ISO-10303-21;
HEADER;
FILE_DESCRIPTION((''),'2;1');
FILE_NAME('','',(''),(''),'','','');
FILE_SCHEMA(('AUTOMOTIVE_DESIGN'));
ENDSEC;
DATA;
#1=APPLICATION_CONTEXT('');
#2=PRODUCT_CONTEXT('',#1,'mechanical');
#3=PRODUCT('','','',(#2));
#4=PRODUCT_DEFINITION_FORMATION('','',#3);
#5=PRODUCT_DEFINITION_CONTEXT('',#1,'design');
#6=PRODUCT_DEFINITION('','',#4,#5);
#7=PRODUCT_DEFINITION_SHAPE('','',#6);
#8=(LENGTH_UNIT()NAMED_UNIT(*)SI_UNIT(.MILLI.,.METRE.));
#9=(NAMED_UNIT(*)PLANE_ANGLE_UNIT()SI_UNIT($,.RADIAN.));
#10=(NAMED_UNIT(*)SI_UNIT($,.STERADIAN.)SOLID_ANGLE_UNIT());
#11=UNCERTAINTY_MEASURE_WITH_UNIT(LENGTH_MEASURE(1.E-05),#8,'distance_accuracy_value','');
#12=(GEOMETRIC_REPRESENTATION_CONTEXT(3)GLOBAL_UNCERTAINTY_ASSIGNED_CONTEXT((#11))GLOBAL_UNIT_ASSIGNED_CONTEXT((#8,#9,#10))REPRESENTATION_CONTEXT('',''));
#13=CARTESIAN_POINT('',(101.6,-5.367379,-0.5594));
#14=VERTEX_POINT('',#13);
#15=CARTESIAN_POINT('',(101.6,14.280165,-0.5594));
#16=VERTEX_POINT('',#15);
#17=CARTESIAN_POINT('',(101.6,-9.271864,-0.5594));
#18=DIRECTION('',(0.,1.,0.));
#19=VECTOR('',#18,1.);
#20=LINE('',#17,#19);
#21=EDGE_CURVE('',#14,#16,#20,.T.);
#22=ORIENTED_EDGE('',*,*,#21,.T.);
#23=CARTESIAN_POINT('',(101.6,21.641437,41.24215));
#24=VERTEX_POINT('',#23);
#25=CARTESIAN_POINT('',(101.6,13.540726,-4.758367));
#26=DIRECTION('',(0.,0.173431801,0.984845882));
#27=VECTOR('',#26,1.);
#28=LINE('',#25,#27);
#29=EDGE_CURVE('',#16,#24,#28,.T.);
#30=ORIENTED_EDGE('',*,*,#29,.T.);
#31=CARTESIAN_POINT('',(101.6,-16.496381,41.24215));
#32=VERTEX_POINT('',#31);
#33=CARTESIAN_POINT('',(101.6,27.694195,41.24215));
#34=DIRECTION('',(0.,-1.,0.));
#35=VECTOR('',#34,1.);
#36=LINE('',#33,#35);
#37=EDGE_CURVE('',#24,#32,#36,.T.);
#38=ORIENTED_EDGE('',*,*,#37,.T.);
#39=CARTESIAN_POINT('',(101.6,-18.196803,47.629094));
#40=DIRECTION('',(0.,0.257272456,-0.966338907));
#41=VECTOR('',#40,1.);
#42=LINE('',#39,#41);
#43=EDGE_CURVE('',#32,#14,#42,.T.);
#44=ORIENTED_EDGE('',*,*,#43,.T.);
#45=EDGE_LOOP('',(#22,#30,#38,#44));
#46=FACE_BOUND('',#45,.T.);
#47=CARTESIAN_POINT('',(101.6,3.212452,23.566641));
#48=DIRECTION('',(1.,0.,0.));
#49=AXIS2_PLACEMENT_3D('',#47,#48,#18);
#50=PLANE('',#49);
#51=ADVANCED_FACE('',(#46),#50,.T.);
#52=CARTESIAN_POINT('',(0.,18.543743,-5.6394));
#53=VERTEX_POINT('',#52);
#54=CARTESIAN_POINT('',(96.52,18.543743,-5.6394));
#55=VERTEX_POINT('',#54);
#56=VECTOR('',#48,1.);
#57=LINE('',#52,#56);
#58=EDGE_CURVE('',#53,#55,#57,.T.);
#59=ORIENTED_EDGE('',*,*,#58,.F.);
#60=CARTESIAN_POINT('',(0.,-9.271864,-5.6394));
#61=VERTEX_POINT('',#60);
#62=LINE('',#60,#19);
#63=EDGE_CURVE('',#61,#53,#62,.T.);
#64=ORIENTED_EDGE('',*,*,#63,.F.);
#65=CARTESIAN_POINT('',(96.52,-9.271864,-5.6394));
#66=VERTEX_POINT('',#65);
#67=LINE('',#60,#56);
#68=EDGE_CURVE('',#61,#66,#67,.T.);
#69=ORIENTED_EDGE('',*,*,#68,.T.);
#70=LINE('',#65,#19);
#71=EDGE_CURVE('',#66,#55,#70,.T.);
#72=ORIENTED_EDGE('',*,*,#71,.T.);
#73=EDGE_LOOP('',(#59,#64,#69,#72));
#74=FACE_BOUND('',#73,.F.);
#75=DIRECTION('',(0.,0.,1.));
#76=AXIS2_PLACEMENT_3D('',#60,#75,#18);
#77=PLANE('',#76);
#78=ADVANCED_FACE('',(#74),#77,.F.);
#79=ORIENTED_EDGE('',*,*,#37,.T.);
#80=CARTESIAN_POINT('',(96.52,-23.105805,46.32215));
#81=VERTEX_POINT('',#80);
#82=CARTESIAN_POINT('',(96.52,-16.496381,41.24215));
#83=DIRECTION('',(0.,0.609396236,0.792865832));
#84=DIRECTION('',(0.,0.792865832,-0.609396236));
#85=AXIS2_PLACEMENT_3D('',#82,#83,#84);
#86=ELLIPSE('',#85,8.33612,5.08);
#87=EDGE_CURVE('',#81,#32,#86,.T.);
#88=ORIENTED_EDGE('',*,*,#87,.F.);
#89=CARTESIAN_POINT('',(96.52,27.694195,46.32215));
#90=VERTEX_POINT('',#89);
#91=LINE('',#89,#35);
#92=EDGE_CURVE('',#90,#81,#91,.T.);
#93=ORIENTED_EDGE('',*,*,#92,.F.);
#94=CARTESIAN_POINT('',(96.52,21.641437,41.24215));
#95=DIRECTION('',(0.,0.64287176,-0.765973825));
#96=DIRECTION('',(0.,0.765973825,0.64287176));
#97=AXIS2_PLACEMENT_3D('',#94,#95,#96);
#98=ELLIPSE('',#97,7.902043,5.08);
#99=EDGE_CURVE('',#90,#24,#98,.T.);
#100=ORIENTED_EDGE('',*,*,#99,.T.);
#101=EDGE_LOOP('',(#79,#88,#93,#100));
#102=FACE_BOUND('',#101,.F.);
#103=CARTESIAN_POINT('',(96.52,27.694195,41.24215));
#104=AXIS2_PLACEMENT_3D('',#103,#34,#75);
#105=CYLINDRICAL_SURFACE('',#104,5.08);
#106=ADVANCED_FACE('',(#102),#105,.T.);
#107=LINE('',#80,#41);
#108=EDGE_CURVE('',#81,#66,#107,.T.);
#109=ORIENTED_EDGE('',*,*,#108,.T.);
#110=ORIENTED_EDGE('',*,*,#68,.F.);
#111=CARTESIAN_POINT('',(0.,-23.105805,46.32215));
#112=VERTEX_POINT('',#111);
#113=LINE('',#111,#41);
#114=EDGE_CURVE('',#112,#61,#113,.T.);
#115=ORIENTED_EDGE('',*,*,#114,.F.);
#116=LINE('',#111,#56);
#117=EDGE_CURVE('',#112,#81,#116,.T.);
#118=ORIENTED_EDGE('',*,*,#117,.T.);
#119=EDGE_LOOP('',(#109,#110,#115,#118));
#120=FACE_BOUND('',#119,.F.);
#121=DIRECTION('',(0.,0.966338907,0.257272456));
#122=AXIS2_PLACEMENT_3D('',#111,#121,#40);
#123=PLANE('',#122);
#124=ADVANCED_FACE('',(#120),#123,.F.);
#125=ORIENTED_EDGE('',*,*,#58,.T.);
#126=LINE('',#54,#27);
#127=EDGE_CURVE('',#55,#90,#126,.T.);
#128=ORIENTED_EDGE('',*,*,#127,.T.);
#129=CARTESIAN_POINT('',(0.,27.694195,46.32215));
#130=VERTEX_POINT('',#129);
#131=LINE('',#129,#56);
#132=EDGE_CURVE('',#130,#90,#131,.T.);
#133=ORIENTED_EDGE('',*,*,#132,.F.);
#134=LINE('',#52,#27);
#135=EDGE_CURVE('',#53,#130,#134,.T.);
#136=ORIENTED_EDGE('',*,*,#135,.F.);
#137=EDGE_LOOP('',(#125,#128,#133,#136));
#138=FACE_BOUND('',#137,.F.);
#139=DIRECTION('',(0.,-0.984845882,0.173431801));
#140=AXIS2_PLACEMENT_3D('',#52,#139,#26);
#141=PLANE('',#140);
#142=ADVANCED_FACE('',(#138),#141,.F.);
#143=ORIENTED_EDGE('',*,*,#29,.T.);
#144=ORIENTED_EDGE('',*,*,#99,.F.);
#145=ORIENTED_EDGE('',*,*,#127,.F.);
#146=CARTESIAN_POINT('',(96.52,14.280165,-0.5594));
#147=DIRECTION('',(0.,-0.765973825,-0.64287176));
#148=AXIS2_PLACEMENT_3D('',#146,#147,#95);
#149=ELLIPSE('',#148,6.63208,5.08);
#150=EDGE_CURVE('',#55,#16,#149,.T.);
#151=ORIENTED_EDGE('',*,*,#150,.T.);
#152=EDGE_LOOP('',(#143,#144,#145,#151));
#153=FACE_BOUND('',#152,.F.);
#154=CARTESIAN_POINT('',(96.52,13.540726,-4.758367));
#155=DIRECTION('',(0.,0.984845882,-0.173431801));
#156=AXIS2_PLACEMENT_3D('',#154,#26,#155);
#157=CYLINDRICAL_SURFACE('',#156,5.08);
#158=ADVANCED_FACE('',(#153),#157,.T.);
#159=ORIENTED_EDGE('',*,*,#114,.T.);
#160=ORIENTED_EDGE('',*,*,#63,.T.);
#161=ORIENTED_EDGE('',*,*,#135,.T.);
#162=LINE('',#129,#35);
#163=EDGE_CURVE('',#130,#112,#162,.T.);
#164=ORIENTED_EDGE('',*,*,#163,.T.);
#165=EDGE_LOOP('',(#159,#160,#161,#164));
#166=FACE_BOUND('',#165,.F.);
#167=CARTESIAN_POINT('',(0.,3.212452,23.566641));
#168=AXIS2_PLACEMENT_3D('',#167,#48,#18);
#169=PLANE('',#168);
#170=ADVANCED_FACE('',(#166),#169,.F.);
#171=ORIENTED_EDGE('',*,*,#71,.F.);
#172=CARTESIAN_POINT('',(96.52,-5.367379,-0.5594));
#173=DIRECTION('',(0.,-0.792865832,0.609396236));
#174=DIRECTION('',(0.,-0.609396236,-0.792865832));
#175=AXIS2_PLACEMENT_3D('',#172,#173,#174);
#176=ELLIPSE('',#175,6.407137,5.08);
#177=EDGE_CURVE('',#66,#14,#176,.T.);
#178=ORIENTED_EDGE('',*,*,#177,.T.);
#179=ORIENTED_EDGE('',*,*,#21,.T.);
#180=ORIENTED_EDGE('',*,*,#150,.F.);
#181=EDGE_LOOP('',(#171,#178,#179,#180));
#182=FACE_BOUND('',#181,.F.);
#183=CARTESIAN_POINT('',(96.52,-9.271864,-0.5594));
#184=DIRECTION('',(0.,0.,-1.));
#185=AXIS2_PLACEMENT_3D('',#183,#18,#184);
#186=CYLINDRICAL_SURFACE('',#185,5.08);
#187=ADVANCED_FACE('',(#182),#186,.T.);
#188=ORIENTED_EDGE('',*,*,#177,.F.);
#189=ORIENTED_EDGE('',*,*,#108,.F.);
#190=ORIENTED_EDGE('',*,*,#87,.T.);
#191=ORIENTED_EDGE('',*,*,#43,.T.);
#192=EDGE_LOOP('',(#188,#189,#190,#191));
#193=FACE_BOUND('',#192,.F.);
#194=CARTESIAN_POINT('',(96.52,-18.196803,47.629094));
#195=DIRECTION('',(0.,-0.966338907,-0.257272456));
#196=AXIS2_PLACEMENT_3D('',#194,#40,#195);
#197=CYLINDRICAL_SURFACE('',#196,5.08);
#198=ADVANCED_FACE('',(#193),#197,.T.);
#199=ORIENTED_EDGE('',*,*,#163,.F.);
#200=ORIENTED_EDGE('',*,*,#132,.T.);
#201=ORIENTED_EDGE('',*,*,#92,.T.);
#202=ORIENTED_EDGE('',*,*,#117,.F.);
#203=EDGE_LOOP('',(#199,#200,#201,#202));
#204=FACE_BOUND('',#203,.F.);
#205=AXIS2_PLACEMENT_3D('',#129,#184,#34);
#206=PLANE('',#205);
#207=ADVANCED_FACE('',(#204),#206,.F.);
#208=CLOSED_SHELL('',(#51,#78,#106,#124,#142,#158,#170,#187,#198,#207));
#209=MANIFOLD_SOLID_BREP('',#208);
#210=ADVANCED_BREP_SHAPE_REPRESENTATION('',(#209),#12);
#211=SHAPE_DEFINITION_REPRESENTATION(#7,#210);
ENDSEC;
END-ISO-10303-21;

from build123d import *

# Parameters (mm, degrees)
F1_DEPTH = 101.6
F2_R     = 5.08


with BuildPart() as f1:
    # F0 (on Right) → F1 (new body)
    with BuildSketch(Plane.YZ):
        Polygon((27.6941948846, 46.3221500594), (-23.1058051154, 46.3221500594), (-9.271863848, -5.6394003332), (18.5437425971, -5.6394003332), align=None)
    extrude(amount=F1_DEPTH)

    # F2
    f2_edges = [f1.edges().sort_by_distance(p)[0] for p in [
        (101.6, -16.188834, 20.341375),
        (101.6, 4.635939, -5.6394),
        (101.6, 23.118969, 20.341375),
        (101.6, 2.294195, 46.32215),
    ]]
    fillet(f2_edges, radius=F2_R)


solid = f1.part
